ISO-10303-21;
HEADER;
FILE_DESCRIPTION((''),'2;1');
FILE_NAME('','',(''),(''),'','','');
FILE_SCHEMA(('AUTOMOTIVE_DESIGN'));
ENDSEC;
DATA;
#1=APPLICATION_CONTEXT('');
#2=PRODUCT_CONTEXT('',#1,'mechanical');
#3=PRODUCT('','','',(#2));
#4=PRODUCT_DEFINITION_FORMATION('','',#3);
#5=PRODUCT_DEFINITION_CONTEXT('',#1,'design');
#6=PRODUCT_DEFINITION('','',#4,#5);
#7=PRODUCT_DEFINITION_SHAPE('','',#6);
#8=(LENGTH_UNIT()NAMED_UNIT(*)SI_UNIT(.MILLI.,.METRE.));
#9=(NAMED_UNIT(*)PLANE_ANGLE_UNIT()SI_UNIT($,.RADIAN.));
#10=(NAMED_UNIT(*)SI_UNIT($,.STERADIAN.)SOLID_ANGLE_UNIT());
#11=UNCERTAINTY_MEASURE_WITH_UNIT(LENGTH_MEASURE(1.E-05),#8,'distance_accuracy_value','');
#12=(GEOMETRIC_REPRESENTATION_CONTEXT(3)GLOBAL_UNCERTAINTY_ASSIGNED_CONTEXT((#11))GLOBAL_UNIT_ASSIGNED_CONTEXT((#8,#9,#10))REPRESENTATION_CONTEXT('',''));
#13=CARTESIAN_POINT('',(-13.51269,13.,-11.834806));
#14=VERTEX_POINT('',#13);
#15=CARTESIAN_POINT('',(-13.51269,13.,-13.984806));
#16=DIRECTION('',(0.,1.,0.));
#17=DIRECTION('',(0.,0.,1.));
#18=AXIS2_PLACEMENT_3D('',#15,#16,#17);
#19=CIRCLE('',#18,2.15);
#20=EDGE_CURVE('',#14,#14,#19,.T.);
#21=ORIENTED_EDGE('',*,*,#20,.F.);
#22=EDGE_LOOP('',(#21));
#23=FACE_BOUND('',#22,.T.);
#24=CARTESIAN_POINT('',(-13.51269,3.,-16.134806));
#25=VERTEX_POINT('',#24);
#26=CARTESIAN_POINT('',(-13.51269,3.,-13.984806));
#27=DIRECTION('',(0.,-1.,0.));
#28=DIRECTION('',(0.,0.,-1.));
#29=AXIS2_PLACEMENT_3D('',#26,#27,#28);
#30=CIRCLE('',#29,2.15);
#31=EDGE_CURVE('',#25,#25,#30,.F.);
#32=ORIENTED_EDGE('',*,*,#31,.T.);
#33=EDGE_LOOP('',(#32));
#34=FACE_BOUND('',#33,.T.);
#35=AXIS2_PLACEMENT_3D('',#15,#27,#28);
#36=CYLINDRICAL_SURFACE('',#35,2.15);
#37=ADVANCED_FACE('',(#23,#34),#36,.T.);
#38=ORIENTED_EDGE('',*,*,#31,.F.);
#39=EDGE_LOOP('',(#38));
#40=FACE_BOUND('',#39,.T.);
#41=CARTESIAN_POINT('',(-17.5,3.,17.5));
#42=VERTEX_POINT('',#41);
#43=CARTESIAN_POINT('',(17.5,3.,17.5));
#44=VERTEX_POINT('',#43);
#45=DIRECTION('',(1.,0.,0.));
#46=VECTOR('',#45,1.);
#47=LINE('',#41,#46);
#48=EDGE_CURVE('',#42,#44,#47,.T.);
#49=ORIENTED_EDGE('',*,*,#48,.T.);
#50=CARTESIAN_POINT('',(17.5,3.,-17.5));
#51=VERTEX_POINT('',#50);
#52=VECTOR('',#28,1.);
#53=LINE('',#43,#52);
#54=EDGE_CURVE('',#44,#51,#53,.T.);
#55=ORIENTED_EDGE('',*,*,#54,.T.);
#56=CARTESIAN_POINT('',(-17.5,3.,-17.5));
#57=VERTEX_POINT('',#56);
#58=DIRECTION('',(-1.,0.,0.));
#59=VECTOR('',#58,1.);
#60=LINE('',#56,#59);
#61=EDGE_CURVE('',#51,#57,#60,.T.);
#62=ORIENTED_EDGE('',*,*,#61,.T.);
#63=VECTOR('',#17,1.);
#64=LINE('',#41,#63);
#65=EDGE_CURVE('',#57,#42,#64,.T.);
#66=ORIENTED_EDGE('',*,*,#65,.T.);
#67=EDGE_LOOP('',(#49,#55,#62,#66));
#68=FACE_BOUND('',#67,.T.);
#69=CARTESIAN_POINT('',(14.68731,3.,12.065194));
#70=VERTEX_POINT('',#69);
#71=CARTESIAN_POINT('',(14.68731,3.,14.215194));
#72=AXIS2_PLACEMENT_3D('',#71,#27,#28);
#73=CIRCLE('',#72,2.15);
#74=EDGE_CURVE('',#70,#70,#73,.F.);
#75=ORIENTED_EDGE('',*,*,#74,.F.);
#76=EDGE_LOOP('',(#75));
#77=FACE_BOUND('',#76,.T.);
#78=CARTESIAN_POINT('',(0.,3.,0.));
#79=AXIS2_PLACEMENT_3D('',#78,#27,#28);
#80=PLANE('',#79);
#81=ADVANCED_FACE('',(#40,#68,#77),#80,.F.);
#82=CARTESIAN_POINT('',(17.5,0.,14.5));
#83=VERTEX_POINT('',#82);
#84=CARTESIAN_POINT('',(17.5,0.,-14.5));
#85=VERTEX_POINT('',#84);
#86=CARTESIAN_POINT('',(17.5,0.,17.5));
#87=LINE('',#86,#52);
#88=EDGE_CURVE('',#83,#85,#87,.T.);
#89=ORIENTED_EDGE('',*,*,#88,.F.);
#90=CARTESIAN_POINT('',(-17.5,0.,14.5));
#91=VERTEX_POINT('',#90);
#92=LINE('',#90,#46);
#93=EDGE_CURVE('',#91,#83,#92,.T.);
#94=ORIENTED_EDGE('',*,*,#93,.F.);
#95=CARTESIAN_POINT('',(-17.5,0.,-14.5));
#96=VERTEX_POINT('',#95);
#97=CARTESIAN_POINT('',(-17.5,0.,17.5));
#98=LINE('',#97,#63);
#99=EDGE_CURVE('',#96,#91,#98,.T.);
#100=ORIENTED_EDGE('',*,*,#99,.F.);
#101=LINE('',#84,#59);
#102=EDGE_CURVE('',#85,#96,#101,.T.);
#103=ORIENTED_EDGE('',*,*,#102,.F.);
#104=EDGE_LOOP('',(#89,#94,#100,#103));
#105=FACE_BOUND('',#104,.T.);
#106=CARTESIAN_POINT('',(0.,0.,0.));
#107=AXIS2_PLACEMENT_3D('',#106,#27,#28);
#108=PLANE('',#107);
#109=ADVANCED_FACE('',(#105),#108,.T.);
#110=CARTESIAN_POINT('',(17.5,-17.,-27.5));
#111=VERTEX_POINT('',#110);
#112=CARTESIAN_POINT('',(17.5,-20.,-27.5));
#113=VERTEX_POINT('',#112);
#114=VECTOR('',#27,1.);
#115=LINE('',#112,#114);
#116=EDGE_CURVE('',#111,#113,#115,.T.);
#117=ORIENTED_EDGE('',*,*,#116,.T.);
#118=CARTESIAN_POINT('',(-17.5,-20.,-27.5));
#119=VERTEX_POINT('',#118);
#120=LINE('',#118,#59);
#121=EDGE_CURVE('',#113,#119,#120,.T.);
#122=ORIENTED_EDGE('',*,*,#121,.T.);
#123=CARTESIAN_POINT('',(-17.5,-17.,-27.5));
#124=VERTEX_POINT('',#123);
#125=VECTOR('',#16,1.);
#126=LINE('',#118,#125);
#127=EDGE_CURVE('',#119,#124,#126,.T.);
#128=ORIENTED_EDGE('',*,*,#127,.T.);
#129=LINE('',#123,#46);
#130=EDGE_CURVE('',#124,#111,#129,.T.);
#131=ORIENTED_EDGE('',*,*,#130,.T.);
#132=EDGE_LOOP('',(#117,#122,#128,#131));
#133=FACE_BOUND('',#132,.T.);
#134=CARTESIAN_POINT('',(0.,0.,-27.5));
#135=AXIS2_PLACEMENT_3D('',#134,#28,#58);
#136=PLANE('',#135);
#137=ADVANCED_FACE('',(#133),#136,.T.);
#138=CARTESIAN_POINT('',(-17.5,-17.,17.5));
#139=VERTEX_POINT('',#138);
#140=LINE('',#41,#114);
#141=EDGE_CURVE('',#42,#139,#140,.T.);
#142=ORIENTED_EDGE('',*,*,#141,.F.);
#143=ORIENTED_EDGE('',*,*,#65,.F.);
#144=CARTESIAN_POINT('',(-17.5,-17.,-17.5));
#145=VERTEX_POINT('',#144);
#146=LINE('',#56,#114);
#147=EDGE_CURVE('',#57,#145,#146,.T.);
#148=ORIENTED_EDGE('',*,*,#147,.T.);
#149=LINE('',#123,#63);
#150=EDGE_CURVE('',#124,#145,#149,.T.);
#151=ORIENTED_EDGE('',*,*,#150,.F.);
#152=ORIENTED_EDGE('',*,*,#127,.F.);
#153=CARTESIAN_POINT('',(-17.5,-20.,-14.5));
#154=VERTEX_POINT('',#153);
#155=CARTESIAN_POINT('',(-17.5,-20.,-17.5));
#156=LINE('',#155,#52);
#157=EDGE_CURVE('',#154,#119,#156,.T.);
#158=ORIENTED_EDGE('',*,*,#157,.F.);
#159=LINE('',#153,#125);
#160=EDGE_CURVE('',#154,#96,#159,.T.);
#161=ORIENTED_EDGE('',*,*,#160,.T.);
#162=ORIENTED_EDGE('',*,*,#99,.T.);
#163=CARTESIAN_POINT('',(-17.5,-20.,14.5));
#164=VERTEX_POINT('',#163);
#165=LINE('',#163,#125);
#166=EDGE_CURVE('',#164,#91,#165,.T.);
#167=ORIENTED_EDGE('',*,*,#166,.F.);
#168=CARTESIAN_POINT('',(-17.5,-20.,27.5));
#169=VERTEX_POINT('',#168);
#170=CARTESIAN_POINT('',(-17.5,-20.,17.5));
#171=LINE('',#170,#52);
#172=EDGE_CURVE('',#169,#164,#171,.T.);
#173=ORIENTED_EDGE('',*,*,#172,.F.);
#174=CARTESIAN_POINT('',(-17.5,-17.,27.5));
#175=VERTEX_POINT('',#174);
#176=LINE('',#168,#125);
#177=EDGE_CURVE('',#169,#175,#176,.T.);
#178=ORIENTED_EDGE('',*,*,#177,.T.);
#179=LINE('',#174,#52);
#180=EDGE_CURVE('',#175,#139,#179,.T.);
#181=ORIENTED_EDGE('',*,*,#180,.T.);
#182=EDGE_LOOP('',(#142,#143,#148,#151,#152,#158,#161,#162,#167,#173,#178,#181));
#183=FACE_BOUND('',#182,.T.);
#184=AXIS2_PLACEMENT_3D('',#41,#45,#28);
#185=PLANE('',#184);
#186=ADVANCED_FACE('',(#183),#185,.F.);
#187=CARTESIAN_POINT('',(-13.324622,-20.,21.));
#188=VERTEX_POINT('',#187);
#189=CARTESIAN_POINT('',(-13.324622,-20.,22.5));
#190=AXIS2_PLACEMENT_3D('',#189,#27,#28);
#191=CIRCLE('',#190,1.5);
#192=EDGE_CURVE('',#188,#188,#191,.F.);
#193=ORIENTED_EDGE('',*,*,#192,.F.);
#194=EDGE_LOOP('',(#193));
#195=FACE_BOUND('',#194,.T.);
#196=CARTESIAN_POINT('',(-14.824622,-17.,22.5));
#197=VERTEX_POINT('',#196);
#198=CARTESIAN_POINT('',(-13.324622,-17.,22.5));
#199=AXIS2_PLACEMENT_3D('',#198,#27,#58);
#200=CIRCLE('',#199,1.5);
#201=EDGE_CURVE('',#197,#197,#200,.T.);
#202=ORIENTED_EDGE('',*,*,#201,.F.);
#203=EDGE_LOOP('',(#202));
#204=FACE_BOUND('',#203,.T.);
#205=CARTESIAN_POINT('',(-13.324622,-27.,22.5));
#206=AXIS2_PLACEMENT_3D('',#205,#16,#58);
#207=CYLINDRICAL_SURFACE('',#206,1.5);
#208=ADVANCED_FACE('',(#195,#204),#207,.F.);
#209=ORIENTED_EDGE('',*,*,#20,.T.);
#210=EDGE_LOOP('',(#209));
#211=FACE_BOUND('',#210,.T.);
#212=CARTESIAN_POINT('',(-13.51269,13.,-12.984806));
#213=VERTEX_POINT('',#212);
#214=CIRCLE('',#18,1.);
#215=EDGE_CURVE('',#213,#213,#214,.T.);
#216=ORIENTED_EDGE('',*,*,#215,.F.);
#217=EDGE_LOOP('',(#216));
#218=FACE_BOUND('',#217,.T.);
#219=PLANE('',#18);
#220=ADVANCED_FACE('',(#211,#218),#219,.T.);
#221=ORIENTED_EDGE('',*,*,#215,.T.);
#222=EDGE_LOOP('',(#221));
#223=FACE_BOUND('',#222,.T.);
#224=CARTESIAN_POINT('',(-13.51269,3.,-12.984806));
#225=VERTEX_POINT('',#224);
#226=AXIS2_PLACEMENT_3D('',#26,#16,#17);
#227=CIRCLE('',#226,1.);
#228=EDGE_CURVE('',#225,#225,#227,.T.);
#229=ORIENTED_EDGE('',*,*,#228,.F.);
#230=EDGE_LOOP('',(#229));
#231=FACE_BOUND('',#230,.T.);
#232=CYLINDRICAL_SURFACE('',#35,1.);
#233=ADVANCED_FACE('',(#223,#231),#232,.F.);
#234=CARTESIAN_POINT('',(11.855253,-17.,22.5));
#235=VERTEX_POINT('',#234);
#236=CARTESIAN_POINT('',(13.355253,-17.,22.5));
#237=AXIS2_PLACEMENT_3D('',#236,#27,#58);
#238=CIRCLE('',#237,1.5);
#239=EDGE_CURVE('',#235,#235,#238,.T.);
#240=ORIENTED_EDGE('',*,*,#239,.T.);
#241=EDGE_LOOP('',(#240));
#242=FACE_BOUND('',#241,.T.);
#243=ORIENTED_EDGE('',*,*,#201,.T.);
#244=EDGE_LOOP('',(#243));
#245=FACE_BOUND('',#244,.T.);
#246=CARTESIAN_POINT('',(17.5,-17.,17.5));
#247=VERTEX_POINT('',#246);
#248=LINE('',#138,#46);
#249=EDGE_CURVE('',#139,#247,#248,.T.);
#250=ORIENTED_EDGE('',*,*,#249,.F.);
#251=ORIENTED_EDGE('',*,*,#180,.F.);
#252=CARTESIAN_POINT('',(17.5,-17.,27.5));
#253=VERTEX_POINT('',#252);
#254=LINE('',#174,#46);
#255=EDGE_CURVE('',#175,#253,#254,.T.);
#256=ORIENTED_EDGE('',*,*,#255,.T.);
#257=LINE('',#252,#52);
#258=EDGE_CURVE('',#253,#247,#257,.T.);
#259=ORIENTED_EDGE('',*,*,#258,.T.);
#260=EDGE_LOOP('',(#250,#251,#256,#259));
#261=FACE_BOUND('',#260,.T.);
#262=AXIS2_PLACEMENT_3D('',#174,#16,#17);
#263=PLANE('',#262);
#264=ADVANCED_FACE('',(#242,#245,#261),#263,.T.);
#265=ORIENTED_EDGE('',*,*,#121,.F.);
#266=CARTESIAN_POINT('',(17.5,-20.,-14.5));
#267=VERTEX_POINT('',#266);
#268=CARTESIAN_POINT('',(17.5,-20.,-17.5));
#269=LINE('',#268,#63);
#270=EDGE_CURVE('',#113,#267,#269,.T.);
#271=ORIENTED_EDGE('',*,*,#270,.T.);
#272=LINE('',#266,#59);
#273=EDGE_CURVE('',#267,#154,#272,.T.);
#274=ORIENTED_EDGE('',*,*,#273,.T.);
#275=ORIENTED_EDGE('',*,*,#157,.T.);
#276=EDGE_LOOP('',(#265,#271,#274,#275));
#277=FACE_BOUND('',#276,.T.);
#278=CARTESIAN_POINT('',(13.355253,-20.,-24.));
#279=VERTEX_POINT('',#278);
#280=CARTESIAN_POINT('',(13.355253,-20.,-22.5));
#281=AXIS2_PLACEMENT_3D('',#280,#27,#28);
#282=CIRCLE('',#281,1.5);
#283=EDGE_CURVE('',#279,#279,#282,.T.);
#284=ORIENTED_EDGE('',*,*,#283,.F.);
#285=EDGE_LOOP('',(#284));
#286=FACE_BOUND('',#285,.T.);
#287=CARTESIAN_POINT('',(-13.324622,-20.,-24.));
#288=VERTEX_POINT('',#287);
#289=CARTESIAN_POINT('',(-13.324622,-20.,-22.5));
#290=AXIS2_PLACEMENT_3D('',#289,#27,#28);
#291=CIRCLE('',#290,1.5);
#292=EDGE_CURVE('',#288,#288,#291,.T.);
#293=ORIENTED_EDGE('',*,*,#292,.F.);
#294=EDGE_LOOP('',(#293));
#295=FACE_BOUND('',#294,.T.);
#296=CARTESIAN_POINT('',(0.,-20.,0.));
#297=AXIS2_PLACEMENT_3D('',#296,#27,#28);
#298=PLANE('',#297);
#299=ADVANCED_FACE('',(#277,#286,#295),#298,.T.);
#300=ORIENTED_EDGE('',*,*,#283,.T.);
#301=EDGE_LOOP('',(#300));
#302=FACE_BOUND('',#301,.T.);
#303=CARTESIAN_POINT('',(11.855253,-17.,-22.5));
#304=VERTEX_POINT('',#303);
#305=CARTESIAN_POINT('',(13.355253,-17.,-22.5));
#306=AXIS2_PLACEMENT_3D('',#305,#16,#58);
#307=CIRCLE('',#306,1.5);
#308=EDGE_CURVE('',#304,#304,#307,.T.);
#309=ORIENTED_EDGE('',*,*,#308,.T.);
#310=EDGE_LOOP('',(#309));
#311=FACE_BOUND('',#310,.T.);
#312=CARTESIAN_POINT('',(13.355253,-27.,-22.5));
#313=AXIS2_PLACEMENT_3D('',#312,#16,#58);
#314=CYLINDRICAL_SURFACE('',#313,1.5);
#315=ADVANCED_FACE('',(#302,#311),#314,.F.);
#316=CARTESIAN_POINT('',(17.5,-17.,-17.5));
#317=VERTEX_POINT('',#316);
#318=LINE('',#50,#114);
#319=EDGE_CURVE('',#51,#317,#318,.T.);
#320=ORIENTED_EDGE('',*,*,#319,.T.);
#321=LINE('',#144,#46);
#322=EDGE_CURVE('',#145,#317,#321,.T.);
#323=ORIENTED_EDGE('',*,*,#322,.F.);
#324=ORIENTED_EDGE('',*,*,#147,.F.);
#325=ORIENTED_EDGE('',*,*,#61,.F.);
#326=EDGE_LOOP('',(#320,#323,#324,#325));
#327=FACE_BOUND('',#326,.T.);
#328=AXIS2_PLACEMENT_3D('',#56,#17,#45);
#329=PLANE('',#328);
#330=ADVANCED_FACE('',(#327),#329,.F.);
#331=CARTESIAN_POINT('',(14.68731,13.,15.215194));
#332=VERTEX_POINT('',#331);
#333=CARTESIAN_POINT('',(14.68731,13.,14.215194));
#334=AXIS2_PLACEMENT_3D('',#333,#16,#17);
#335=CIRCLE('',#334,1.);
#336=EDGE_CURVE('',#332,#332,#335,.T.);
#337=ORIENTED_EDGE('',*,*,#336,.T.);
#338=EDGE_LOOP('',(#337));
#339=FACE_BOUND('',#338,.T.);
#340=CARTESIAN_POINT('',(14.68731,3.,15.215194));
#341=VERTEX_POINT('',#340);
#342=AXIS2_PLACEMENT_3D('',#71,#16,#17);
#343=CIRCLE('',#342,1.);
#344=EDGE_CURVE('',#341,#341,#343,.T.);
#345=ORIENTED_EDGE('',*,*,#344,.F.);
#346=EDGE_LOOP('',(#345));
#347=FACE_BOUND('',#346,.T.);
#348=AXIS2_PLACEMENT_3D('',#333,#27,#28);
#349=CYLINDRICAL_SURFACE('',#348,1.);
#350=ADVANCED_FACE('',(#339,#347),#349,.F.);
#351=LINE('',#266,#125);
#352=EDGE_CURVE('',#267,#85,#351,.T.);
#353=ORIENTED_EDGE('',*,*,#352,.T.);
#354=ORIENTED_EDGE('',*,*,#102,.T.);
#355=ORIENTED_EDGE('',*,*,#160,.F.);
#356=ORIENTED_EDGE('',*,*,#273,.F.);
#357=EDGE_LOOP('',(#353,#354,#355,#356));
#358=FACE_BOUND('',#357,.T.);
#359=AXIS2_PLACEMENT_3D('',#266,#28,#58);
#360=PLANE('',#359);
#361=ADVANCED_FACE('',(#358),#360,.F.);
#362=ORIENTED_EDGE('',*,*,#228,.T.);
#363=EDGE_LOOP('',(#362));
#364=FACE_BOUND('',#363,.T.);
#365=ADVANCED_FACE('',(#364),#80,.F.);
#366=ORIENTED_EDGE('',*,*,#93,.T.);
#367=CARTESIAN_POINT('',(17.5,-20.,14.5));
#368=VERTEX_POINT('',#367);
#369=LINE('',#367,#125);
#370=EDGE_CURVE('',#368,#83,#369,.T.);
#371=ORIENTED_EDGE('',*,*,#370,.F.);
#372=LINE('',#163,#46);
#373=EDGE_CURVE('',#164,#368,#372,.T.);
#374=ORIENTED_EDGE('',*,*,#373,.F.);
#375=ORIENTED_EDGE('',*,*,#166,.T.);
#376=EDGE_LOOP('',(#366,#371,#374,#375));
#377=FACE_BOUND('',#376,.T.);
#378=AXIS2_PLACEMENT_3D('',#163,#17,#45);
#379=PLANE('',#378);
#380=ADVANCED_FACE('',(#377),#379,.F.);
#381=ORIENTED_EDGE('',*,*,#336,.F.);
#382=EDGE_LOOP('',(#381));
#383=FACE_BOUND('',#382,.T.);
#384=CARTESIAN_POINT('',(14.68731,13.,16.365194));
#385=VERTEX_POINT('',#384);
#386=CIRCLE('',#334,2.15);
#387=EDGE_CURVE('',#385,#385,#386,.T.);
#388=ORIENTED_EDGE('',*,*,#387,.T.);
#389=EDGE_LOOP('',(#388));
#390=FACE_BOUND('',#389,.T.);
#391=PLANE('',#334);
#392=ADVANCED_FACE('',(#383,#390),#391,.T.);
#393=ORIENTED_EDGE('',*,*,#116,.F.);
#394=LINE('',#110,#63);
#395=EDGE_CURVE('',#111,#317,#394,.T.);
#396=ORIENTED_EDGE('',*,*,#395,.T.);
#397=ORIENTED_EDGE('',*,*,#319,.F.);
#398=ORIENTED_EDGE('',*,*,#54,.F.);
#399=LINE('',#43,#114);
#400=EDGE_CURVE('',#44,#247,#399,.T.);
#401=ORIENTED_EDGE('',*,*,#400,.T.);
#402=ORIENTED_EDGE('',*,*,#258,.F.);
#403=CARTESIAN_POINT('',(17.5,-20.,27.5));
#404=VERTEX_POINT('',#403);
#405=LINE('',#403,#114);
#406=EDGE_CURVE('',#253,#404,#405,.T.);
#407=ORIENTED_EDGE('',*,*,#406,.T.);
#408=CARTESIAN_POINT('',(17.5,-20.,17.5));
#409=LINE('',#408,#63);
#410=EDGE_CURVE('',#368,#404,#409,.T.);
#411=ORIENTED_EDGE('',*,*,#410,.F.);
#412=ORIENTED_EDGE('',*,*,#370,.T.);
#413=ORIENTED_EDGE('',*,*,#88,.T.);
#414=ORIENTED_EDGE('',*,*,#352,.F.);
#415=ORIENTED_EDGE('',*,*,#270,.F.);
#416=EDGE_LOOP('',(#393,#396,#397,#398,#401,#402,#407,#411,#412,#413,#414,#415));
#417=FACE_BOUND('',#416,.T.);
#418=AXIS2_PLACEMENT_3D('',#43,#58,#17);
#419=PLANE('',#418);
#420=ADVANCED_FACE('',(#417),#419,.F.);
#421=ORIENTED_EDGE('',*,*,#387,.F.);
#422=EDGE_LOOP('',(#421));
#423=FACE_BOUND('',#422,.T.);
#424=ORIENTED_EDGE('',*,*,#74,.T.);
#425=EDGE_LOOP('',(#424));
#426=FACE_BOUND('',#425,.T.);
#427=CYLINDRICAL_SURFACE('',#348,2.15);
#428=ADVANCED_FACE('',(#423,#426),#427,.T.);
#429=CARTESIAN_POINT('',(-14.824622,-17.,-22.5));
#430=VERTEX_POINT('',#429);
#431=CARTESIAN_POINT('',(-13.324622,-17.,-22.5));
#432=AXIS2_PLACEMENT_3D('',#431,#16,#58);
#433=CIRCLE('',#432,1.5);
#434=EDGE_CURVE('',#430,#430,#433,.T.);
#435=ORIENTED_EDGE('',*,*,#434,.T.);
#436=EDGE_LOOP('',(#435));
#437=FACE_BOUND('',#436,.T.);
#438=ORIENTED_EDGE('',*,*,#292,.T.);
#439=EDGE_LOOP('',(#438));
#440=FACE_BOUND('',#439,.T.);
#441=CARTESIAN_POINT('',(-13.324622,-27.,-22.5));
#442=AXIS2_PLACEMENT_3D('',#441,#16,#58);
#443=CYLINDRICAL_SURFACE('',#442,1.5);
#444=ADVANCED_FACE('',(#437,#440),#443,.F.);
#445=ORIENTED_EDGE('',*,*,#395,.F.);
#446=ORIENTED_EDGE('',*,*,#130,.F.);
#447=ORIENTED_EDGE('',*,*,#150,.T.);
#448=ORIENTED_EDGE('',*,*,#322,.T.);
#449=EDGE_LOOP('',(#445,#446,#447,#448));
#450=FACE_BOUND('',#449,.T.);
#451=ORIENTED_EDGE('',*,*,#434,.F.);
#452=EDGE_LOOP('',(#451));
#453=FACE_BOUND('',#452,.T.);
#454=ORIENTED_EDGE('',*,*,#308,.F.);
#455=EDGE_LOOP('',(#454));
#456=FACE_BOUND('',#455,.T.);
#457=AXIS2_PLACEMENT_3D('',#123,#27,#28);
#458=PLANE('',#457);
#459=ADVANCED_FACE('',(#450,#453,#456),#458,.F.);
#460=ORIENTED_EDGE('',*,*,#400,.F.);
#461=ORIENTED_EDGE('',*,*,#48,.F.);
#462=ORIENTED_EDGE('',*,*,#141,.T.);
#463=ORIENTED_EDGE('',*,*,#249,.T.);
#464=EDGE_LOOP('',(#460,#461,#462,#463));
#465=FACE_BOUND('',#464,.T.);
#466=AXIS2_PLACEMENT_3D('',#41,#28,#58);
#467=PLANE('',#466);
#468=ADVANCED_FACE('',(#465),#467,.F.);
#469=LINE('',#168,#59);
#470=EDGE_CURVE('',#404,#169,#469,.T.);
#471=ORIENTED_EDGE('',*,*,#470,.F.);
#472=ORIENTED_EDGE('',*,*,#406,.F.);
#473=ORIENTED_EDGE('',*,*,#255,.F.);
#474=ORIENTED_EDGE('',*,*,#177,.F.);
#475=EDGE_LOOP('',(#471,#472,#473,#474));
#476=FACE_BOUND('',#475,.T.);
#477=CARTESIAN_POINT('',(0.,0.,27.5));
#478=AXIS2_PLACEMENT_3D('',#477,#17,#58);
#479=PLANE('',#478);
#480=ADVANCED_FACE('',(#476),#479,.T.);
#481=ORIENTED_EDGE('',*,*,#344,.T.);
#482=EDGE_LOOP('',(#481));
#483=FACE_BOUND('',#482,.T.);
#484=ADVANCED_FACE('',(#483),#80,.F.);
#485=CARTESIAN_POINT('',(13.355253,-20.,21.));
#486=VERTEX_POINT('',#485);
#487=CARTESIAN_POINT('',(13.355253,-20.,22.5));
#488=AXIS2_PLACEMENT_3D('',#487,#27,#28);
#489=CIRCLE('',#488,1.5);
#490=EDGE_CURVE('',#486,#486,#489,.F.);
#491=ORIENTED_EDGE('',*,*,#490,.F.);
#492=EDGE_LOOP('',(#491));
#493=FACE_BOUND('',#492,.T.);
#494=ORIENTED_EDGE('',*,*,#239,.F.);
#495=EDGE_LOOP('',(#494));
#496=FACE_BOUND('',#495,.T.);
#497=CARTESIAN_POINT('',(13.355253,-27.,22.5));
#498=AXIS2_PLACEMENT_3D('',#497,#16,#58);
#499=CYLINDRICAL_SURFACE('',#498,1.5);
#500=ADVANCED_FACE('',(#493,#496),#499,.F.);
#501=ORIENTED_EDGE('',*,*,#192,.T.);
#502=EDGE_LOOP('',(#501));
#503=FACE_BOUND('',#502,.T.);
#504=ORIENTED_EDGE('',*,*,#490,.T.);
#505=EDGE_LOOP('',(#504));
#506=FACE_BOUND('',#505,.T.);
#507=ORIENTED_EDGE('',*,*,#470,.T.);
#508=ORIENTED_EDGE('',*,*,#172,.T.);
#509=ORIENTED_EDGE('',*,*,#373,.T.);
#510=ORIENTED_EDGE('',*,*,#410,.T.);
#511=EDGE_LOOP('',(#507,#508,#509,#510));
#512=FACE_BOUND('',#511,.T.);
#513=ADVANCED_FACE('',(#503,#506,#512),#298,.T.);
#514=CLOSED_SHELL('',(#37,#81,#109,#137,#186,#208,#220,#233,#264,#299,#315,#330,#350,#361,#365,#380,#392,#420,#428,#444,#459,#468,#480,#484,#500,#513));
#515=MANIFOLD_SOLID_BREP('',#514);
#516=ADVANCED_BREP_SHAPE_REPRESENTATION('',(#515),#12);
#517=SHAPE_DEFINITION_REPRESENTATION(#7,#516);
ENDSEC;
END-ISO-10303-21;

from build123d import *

# Parameters (mm, degrees)
SKETCH1_W           = 35
SKETCH1_H           = 35
BOSS_EXTRUDE1_DEPTH = 3
SKETCH2_R           = 2.15
SKETCH2_R_2         = 1
BOSS_EXTRUDE2_DEPTH = 10
SKETCH3_W           = 35
SKETCH3_H           = 3
BOSS_EXTRUDE3_DEPTH = 20
SKETCH4_W           = 35
SKETCH4_H           = 3
BOSS_EXTRUDE4_DEPTH = 10
SKETCH5_R           = 1.5
CUT_EXTRUDE1_DEPTH  = 10


with BuildPart() as part:
    # Sketch1 → Boss-Extrude1 (new body)
    with BuildSketch(Plane(origin=(0, 0, 0), x_dir=(1, 0, 0), z_dir=(0, 1, 0))):
        Rectangle(SKETCH1_W, SKETCH1_H)
    extrude(amount=BOSS_EXTRUDE1_DEPTH)

    # Sketch2 → Boss-Extrude2 (add)
    # profile 1 of 2: a face of its own
    with BuildSketch(Plane(origin=(0, 3, 0), x_dir=(1, 0, 0), z_dir=(0, 1, 0))):
        with Locations(Location((-13.512690171, 13.984805963, 0), (0, 0, 90))):
            Circle(SKETCH2_R)
        with Locations(Location((-13.512690171, 13.984805963, 0), (0, 0, 270))):
            Circle(SKETCH2_R_2, mode=Mode.SUBTRACT)
    # profile 2 of 2: a face of its own
    with BuildSketch(Plane(origin=(0, 3, 0), x_dir=(1, 0, 0), z_dir=(0, 1, 0))):
        with Locations(Location((14.687309829, -14.215194037, 0), (0, 0, 90))):
            Circle(SKETCH2_R)
        with Locations(Location((14.687309829, -14.215194037, 0), (0, 0, 270))):
            Circle(SKETCH2_R_2, mode=Mode.SUBTRACT)
    extrude(amount=BOSS_EXTRUDE2_DEPTH)

    # Sketch3 → Boss-Extrude3 (add)
    with BuildSketch(Plane.XZ):
        with Locations((0, 16)):
            Rectangle(SKETCH3_W, SKETCH3_H)
        with Locations((0, -16)):
            Rectangle(SKETCH3_W, SKETCH3_H)
    extrude(amount=BOSS_EXTRUDE3_DEPTH)

    # Sketch4 → Boss-Extrude4 (add)
    with BuildSketch(Plane(origin=(0, 0, -17.5), x_dir=(-1, 0, 0), z_dir=(0, 0, -1))):
        with Locations((0, -18.5)):
            Rectangle(SKETCH4_W, SKETCH4_H)
    boss_extrude4 = extrude(amount=BOSS_EXTRUDE4_DEPTH)

    # Sketch5 → Cut-Extrude1 (cut)
    with BuildSketch(Plane(origin=(0, -17, 0), x_dir=(1, 0, 0), z_dir=(0, 1, 0))):
        with Locations(Location((-13.324621587, 22.5, 0), (0, 0, 180))):
            Circle(SKETCH5_R)
        with Locations(Location((13.355252901, 22.5, 0), (0, 0, 180))):
            Circle(SKETCH5_R)
    cut_extrude1 = extrude(amount=-CUT_EXTRUDE1_DEPTH, mode=Mode.SUBTRACT)

    # Mirror1: Boss-Extrude4, Cut-Extrude1 across plane
    add(boss_extrude4.mirror(Plane.XY))
    add(cut_extrude1.mirror(Plane.XY), mode=Mode.SUBTRACT)


solid = part.part
